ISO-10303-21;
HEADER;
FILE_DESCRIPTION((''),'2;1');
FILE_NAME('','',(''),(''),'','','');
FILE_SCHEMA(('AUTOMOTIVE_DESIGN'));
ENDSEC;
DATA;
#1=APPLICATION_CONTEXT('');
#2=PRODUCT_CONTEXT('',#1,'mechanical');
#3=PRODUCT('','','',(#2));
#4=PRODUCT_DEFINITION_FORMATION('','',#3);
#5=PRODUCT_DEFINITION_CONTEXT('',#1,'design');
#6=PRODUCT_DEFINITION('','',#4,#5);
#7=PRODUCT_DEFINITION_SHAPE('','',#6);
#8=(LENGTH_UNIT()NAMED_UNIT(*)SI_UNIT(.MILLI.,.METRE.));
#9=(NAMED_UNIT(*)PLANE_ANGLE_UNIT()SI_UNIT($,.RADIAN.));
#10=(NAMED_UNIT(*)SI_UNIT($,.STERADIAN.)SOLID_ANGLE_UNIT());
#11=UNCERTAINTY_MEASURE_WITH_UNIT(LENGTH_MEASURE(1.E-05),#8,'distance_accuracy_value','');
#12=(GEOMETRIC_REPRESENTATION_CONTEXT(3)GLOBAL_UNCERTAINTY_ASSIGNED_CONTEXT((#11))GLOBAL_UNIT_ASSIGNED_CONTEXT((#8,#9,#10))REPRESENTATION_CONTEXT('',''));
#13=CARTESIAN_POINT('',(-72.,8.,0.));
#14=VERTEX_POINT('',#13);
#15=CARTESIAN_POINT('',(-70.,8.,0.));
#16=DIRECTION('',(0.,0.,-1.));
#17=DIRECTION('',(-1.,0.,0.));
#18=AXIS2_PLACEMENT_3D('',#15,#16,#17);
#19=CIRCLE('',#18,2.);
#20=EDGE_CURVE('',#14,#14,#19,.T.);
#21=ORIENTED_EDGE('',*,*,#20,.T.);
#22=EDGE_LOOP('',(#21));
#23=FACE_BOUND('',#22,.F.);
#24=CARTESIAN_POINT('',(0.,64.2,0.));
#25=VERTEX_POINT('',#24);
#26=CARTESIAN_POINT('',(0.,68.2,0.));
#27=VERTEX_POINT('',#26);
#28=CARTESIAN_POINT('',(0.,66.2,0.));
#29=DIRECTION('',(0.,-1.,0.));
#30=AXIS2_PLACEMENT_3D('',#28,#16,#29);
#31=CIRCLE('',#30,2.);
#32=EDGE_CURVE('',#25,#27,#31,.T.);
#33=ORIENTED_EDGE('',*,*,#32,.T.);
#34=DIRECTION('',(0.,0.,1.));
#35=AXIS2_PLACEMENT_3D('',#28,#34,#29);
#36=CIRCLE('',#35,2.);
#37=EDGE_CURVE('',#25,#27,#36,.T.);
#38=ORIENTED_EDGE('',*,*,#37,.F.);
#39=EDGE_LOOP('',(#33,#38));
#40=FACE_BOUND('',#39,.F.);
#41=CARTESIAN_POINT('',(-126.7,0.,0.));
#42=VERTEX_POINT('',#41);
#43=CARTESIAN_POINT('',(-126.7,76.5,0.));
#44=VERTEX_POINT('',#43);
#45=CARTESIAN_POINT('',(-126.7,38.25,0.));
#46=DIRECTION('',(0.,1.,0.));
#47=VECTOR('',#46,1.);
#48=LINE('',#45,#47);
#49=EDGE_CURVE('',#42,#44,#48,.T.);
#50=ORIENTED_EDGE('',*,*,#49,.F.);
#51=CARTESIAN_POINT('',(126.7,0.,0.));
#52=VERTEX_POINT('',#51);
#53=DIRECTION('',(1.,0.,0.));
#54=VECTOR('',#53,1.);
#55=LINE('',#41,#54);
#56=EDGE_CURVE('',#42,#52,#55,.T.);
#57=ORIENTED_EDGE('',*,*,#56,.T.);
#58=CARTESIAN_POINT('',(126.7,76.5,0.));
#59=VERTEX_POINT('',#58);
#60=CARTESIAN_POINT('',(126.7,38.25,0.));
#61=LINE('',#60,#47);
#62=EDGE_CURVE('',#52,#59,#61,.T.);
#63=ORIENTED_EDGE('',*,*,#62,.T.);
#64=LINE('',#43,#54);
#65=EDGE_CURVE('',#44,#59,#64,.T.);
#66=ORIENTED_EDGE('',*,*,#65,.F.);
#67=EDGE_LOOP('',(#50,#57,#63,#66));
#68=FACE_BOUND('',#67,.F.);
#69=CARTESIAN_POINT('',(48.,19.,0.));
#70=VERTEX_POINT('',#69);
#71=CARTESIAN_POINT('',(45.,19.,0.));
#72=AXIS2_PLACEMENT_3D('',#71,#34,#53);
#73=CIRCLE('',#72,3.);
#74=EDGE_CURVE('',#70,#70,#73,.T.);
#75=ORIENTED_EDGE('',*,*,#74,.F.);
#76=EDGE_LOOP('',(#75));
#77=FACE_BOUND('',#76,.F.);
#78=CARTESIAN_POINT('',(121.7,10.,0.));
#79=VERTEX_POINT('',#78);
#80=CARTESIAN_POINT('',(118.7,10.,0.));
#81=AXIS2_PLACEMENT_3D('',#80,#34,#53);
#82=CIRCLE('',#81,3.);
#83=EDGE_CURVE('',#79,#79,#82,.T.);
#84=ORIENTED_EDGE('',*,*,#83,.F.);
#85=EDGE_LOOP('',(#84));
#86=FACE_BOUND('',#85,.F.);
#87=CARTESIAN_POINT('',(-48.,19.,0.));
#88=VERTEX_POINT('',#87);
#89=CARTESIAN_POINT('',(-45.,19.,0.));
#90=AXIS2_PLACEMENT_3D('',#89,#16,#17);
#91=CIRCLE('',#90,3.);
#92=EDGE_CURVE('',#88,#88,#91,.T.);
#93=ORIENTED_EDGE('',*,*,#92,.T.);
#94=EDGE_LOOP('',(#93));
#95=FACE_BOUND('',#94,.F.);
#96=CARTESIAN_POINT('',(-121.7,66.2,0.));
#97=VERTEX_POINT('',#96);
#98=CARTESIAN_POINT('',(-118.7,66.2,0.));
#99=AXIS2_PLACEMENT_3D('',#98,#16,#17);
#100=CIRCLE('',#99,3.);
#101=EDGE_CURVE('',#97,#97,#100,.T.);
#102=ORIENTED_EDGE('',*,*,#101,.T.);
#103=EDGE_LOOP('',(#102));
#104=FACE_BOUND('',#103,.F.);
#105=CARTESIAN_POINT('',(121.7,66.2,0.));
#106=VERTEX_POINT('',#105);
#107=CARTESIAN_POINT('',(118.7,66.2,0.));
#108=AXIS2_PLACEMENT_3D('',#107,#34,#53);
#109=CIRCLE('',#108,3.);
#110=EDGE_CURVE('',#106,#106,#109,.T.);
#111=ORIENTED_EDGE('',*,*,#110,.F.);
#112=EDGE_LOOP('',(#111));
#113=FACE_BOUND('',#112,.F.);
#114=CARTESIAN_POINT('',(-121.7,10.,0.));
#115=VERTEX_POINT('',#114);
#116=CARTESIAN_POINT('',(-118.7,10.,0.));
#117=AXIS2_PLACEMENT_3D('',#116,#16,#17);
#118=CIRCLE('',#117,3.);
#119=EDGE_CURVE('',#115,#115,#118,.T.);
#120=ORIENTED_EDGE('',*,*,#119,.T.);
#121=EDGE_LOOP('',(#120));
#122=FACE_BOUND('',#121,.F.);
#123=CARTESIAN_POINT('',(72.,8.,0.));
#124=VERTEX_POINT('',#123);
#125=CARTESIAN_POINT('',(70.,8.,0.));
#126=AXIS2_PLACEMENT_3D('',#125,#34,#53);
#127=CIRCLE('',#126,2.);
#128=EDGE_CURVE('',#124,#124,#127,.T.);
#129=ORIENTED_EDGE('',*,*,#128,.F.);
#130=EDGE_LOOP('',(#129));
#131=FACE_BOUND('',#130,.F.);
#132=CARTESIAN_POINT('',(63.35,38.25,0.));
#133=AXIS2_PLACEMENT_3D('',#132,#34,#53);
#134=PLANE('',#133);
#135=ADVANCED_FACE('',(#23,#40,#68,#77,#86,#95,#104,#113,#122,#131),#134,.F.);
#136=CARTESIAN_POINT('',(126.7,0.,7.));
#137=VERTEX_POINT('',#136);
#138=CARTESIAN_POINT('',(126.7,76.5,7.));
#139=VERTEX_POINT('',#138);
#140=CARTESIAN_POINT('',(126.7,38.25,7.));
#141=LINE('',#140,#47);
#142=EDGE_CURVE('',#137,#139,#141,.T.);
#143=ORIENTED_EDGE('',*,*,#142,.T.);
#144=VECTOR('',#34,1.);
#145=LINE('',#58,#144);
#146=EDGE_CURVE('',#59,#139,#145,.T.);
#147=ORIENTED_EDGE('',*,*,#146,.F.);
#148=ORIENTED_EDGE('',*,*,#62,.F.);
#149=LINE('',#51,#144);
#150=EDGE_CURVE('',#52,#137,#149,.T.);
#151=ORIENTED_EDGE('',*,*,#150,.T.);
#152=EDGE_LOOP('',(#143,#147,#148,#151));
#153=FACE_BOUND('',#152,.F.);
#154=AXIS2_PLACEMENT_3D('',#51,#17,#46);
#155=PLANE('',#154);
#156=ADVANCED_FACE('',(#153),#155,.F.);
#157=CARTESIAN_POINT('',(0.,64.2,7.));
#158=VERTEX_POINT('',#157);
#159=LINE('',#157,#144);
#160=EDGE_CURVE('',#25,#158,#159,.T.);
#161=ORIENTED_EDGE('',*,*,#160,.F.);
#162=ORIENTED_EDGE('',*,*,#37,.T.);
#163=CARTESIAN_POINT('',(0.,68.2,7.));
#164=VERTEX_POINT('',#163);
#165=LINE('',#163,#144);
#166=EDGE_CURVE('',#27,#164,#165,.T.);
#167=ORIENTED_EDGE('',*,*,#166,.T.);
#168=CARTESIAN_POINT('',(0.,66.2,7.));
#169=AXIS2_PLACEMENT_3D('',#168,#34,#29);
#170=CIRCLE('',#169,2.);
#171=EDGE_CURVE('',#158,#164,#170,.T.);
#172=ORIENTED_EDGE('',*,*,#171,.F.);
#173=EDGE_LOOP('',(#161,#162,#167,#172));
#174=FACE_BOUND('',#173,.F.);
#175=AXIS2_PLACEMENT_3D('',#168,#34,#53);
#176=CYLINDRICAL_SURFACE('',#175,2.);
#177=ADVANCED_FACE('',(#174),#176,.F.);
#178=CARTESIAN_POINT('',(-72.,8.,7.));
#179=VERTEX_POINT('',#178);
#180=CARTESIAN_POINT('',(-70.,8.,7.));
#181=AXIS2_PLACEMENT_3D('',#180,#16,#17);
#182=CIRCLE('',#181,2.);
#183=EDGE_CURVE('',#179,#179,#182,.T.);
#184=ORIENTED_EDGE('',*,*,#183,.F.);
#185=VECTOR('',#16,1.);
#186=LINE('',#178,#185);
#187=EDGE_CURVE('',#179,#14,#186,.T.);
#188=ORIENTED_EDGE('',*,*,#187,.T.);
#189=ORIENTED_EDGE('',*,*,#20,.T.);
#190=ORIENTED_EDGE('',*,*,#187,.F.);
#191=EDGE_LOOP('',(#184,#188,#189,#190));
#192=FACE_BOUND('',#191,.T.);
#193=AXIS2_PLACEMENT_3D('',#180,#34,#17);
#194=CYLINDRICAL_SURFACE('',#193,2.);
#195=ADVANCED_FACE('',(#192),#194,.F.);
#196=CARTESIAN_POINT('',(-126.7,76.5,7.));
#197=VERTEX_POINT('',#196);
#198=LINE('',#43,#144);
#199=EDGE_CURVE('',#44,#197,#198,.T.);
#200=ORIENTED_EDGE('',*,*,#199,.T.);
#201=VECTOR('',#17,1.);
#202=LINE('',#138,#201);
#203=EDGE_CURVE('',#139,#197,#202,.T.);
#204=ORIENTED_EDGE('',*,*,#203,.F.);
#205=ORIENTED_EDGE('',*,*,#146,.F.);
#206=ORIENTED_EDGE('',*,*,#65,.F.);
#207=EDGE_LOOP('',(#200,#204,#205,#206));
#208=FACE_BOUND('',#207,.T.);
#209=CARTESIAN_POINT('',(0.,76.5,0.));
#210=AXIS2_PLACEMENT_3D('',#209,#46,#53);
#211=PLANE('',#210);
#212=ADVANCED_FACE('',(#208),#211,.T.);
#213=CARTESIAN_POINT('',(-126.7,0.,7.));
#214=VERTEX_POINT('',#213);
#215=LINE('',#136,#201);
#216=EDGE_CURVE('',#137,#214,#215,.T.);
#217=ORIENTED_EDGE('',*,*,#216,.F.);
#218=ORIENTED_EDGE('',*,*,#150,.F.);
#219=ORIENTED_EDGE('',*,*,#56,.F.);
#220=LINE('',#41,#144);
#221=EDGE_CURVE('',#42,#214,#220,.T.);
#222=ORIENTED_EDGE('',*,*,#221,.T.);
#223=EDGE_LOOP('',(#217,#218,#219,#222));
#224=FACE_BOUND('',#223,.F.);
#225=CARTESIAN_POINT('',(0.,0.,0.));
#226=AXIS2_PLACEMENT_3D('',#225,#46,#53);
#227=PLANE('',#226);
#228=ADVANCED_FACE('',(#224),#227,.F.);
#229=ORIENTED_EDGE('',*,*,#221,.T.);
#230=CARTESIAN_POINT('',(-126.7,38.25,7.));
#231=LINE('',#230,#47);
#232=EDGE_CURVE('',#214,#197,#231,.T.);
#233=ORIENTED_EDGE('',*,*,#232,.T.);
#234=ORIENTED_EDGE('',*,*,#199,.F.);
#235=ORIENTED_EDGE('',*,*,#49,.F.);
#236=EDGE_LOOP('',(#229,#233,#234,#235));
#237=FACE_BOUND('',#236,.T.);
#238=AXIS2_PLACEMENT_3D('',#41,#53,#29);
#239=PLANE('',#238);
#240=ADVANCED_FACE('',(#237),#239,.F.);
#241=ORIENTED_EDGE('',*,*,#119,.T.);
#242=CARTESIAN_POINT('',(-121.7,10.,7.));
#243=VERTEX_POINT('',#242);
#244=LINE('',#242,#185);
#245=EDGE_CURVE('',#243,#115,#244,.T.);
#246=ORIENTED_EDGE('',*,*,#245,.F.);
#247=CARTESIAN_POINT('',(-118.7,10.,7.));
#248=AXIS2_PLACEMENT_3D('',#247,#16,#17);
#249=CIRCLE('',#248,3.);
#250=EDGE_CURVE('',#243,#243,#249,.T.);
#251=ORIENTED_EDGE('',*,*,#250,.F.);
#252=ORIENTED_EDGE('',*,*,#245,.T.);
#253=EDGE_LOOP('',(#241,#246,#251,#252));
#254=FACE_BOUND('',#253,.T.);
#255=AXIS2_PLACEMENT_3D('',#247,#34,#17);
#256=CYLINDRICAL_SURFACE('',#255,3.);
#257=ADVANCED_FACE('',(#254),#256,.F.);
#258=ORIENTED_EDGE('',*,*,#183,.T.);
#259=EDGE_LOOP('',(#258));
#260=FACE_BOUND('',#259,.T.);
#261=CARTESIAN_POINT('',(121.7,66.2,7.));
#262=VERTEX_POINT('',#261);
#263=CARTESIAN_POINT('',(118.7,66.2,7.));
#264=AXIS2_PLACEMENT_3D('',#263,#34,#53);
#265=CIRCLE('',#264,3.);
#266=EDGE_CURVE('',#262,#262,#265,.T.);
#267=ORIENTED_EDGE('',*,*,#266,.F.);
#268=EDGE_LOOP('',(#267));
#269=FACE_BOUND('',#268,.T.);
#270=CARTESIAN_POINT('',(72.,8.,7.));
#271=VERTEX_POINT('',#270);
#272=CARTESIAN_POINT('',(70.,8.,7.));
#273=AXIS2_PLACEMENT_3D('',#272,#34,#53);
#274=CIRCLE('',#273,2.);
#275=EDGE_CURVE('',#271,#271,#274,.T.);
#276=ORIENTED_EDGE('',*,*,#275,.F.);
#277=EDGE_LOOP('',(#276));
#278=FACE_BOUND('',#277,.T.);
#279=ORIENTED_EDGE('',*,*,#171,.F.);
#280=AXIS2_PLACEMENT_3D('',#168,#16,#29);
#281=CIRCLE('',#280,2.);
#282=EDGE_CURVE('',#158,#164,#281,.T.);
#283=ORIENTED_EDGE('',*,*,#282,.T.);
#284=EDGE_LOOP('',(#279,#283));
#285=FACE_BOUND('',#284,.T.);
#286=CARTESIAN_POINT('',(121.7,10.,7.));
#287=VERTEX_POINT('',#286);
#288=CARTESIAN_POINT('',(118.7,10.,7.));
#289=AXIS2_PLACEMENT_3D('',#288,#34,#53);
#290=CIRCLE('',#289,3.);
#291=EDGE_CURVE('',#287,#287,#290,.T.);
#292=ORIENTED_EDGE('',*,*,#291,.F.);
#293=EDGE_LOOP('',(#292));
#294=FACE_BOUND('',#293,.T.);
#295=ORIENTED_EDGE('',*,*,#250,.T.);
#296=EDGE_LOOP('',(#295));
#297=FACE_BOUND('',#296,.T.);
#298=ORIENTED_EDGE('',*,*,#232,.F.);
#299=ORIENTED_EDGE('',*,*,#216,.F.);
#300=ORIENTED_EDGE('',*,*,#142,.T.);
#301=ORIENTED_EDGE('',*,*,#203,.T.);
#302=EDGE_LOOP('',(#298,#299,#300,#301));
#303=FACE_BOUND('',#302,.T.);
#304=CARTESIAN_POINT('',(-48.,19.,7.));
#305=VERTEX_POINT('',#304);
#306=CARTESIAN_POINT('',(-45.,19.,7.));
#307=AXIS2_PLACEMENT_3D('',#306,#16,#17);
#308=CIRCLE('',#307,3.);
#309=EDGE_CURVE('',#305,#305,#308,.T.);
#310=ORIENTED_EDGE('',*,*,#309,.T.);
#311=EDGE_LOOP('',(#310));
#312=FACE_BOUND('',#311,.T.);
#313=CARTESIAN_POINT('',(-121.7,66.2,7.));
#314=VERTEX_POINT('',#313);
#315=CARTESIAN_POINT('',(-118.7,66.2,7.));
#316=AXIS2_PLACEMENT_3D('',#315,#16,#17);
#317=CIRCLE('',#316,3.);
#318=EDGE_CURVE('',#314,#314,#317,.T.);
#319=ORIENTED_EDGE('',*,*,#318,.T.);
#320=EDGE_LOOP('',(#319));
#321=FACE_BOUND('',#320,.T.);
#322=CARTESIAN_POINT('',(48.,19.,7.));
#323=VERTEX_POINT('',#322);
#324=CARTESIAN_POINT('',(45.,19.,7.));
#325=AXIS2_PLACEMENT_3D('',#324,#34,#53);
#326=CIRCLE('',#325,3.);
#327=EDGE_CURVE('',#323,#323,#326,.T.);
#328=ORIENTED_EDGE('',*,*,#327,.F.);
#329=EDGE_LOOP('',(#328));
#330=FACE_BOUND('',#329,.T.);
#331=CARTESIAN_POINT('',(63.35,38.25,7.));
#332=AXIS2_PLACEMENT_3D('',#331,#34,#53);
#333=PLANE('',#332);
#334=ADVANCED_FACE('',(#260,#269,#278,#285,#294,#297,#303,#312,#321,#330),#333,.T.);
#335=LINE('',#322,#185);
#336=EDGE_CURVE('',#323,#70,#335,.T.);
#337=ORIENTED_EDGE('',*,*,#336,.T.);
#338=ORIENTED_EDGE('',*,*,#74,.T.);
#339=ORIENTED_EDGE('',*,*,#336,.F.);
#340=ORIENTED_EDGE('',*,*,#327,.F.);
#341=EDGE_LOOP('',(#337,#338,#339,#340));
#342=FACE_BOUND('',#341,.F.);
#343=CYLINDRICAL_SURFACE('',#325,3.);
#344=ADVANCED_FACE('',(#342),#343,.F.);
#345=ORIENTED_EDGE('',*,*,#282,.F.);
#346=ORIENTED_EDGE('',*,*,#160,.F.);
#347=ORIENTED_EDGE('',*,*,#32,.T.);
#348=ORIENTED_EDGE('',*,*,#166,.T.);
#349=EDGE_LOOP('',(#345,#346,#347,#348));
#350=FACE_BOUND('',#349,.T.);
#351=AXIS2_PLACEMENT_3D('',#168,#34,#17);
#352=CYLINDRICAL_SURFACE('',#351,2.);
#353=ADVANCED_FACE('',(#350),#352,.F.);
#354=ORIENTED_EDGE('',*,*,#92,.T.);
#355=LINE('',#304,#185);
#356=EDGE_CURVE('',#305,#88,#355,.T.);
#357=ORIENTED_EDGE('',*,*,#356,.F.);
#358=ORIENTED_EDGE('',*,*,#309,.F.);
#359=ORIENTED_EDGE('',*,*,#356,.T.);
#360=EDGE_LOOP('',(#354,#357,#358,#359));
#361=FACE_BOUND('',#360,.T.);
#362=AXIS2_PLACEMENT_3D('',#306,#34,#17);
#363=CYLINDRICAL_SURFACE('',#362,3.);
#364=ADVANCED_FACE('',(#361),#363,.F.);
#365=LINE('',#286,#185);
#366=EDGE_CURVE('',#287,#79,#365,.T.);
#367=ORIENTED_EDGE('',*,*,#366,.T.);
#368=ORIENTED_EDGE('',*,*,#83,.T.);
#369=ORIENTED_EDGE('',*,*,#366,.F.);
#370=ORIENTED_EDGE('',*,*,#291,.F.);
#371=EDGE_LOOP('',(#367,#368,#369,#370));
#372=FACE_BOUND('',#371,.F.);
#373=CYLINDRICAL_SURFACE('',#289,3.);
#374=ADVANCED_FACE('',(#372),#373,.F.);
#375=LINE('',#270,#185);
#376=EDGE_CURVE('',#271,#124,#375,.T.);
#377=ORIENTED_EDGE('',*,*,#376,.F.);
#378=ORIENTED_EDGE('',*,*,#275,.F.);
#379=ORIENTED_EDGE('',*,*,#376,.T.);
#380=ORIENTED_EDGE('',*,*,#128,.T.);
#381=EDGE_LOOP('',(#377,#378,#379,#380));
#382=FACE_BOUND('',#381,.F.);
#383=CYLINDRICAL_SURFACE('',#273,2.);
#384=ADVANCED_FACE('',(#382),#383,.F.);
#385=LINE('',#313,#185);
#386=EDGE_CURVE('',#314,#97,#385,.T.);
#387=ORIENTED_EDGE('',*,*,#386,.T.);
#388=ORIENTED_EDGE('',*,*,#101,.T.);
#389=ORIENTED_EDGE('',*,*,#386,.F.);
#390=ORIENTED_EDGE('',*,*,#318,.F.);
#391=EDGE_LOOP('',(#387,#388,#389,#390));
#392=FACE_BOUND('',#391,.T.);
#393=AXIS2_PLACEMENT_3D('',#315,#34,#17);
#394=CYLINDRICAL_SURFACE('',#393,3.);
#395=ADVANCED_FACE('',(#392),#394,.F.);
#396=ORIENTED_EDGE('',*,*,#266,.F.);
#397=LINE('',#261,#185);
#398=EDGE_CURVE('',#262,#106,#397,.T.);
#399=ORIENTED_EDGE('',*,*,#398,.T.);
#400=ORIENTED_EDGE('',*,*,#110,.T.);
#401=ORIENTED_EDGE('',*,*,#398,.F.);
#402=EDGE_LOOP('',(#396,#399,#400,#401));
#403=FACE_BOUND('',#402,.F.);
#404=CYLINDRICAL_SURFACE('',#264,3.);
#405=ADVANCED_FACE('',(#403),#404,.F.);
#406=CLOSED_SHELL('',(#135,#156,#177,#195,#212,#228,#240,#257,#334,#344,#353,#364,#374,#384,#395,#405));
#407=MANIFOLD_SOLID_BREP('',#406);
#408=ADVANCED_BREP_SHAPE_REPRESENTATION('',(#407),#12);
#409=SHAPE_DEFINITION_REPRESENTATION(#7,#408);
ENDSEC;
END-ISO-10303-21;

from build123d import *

# Parameters (mm, degrees)
SKETCH_W      = 126.7
SKETCH_H      = 76.5
PAD_DEPTH     = 7
SKETCH001_R   = 2
SKETCH001_R_2 = 3
POCKET_DEPTH  = 50


with BuildPart() as pocket:
    # Sketch → Pad (new body)
    with BuildSketch(Plane.XY):
        with Locations((63.35, 38.25)):
            Rectangle(SKETCH_W, SKETCH_H)
    extrude(amount=PAD_DEPTH)

    # Sketch001 → Pocket (cut)
    with BuildSketch(Plane.XY.offset(7)):
        with Locations((0, 66.2)):
            Circle(SKETCH001_R)
        with Locations((70, 8)):
            Circle(SKETCH001_R)
        with Locations((118.7, 66.2)):
            Circle(SKETCH001_R_2)
        with Locations((118.7, 10)):
            Circle(SKETCH001_R_2)
        with Locations((45, 19)):
            Circle(SKETCH001_R_2)
    extrude(amount=-POCKET_DEPTH, mode=Mode.SUBTRACT)


with BuildPart() as fusion:
    # Part__Mirroring: instance of Pocket
    add(pocket.part.mirror(Plane(origin=(0, 0, 0), x_dir=(0, -1, 0), z_dir=(1, 0, 0))))

    # Fusion: union Pocket
    add(pocket.part)


solid = fusion.part
